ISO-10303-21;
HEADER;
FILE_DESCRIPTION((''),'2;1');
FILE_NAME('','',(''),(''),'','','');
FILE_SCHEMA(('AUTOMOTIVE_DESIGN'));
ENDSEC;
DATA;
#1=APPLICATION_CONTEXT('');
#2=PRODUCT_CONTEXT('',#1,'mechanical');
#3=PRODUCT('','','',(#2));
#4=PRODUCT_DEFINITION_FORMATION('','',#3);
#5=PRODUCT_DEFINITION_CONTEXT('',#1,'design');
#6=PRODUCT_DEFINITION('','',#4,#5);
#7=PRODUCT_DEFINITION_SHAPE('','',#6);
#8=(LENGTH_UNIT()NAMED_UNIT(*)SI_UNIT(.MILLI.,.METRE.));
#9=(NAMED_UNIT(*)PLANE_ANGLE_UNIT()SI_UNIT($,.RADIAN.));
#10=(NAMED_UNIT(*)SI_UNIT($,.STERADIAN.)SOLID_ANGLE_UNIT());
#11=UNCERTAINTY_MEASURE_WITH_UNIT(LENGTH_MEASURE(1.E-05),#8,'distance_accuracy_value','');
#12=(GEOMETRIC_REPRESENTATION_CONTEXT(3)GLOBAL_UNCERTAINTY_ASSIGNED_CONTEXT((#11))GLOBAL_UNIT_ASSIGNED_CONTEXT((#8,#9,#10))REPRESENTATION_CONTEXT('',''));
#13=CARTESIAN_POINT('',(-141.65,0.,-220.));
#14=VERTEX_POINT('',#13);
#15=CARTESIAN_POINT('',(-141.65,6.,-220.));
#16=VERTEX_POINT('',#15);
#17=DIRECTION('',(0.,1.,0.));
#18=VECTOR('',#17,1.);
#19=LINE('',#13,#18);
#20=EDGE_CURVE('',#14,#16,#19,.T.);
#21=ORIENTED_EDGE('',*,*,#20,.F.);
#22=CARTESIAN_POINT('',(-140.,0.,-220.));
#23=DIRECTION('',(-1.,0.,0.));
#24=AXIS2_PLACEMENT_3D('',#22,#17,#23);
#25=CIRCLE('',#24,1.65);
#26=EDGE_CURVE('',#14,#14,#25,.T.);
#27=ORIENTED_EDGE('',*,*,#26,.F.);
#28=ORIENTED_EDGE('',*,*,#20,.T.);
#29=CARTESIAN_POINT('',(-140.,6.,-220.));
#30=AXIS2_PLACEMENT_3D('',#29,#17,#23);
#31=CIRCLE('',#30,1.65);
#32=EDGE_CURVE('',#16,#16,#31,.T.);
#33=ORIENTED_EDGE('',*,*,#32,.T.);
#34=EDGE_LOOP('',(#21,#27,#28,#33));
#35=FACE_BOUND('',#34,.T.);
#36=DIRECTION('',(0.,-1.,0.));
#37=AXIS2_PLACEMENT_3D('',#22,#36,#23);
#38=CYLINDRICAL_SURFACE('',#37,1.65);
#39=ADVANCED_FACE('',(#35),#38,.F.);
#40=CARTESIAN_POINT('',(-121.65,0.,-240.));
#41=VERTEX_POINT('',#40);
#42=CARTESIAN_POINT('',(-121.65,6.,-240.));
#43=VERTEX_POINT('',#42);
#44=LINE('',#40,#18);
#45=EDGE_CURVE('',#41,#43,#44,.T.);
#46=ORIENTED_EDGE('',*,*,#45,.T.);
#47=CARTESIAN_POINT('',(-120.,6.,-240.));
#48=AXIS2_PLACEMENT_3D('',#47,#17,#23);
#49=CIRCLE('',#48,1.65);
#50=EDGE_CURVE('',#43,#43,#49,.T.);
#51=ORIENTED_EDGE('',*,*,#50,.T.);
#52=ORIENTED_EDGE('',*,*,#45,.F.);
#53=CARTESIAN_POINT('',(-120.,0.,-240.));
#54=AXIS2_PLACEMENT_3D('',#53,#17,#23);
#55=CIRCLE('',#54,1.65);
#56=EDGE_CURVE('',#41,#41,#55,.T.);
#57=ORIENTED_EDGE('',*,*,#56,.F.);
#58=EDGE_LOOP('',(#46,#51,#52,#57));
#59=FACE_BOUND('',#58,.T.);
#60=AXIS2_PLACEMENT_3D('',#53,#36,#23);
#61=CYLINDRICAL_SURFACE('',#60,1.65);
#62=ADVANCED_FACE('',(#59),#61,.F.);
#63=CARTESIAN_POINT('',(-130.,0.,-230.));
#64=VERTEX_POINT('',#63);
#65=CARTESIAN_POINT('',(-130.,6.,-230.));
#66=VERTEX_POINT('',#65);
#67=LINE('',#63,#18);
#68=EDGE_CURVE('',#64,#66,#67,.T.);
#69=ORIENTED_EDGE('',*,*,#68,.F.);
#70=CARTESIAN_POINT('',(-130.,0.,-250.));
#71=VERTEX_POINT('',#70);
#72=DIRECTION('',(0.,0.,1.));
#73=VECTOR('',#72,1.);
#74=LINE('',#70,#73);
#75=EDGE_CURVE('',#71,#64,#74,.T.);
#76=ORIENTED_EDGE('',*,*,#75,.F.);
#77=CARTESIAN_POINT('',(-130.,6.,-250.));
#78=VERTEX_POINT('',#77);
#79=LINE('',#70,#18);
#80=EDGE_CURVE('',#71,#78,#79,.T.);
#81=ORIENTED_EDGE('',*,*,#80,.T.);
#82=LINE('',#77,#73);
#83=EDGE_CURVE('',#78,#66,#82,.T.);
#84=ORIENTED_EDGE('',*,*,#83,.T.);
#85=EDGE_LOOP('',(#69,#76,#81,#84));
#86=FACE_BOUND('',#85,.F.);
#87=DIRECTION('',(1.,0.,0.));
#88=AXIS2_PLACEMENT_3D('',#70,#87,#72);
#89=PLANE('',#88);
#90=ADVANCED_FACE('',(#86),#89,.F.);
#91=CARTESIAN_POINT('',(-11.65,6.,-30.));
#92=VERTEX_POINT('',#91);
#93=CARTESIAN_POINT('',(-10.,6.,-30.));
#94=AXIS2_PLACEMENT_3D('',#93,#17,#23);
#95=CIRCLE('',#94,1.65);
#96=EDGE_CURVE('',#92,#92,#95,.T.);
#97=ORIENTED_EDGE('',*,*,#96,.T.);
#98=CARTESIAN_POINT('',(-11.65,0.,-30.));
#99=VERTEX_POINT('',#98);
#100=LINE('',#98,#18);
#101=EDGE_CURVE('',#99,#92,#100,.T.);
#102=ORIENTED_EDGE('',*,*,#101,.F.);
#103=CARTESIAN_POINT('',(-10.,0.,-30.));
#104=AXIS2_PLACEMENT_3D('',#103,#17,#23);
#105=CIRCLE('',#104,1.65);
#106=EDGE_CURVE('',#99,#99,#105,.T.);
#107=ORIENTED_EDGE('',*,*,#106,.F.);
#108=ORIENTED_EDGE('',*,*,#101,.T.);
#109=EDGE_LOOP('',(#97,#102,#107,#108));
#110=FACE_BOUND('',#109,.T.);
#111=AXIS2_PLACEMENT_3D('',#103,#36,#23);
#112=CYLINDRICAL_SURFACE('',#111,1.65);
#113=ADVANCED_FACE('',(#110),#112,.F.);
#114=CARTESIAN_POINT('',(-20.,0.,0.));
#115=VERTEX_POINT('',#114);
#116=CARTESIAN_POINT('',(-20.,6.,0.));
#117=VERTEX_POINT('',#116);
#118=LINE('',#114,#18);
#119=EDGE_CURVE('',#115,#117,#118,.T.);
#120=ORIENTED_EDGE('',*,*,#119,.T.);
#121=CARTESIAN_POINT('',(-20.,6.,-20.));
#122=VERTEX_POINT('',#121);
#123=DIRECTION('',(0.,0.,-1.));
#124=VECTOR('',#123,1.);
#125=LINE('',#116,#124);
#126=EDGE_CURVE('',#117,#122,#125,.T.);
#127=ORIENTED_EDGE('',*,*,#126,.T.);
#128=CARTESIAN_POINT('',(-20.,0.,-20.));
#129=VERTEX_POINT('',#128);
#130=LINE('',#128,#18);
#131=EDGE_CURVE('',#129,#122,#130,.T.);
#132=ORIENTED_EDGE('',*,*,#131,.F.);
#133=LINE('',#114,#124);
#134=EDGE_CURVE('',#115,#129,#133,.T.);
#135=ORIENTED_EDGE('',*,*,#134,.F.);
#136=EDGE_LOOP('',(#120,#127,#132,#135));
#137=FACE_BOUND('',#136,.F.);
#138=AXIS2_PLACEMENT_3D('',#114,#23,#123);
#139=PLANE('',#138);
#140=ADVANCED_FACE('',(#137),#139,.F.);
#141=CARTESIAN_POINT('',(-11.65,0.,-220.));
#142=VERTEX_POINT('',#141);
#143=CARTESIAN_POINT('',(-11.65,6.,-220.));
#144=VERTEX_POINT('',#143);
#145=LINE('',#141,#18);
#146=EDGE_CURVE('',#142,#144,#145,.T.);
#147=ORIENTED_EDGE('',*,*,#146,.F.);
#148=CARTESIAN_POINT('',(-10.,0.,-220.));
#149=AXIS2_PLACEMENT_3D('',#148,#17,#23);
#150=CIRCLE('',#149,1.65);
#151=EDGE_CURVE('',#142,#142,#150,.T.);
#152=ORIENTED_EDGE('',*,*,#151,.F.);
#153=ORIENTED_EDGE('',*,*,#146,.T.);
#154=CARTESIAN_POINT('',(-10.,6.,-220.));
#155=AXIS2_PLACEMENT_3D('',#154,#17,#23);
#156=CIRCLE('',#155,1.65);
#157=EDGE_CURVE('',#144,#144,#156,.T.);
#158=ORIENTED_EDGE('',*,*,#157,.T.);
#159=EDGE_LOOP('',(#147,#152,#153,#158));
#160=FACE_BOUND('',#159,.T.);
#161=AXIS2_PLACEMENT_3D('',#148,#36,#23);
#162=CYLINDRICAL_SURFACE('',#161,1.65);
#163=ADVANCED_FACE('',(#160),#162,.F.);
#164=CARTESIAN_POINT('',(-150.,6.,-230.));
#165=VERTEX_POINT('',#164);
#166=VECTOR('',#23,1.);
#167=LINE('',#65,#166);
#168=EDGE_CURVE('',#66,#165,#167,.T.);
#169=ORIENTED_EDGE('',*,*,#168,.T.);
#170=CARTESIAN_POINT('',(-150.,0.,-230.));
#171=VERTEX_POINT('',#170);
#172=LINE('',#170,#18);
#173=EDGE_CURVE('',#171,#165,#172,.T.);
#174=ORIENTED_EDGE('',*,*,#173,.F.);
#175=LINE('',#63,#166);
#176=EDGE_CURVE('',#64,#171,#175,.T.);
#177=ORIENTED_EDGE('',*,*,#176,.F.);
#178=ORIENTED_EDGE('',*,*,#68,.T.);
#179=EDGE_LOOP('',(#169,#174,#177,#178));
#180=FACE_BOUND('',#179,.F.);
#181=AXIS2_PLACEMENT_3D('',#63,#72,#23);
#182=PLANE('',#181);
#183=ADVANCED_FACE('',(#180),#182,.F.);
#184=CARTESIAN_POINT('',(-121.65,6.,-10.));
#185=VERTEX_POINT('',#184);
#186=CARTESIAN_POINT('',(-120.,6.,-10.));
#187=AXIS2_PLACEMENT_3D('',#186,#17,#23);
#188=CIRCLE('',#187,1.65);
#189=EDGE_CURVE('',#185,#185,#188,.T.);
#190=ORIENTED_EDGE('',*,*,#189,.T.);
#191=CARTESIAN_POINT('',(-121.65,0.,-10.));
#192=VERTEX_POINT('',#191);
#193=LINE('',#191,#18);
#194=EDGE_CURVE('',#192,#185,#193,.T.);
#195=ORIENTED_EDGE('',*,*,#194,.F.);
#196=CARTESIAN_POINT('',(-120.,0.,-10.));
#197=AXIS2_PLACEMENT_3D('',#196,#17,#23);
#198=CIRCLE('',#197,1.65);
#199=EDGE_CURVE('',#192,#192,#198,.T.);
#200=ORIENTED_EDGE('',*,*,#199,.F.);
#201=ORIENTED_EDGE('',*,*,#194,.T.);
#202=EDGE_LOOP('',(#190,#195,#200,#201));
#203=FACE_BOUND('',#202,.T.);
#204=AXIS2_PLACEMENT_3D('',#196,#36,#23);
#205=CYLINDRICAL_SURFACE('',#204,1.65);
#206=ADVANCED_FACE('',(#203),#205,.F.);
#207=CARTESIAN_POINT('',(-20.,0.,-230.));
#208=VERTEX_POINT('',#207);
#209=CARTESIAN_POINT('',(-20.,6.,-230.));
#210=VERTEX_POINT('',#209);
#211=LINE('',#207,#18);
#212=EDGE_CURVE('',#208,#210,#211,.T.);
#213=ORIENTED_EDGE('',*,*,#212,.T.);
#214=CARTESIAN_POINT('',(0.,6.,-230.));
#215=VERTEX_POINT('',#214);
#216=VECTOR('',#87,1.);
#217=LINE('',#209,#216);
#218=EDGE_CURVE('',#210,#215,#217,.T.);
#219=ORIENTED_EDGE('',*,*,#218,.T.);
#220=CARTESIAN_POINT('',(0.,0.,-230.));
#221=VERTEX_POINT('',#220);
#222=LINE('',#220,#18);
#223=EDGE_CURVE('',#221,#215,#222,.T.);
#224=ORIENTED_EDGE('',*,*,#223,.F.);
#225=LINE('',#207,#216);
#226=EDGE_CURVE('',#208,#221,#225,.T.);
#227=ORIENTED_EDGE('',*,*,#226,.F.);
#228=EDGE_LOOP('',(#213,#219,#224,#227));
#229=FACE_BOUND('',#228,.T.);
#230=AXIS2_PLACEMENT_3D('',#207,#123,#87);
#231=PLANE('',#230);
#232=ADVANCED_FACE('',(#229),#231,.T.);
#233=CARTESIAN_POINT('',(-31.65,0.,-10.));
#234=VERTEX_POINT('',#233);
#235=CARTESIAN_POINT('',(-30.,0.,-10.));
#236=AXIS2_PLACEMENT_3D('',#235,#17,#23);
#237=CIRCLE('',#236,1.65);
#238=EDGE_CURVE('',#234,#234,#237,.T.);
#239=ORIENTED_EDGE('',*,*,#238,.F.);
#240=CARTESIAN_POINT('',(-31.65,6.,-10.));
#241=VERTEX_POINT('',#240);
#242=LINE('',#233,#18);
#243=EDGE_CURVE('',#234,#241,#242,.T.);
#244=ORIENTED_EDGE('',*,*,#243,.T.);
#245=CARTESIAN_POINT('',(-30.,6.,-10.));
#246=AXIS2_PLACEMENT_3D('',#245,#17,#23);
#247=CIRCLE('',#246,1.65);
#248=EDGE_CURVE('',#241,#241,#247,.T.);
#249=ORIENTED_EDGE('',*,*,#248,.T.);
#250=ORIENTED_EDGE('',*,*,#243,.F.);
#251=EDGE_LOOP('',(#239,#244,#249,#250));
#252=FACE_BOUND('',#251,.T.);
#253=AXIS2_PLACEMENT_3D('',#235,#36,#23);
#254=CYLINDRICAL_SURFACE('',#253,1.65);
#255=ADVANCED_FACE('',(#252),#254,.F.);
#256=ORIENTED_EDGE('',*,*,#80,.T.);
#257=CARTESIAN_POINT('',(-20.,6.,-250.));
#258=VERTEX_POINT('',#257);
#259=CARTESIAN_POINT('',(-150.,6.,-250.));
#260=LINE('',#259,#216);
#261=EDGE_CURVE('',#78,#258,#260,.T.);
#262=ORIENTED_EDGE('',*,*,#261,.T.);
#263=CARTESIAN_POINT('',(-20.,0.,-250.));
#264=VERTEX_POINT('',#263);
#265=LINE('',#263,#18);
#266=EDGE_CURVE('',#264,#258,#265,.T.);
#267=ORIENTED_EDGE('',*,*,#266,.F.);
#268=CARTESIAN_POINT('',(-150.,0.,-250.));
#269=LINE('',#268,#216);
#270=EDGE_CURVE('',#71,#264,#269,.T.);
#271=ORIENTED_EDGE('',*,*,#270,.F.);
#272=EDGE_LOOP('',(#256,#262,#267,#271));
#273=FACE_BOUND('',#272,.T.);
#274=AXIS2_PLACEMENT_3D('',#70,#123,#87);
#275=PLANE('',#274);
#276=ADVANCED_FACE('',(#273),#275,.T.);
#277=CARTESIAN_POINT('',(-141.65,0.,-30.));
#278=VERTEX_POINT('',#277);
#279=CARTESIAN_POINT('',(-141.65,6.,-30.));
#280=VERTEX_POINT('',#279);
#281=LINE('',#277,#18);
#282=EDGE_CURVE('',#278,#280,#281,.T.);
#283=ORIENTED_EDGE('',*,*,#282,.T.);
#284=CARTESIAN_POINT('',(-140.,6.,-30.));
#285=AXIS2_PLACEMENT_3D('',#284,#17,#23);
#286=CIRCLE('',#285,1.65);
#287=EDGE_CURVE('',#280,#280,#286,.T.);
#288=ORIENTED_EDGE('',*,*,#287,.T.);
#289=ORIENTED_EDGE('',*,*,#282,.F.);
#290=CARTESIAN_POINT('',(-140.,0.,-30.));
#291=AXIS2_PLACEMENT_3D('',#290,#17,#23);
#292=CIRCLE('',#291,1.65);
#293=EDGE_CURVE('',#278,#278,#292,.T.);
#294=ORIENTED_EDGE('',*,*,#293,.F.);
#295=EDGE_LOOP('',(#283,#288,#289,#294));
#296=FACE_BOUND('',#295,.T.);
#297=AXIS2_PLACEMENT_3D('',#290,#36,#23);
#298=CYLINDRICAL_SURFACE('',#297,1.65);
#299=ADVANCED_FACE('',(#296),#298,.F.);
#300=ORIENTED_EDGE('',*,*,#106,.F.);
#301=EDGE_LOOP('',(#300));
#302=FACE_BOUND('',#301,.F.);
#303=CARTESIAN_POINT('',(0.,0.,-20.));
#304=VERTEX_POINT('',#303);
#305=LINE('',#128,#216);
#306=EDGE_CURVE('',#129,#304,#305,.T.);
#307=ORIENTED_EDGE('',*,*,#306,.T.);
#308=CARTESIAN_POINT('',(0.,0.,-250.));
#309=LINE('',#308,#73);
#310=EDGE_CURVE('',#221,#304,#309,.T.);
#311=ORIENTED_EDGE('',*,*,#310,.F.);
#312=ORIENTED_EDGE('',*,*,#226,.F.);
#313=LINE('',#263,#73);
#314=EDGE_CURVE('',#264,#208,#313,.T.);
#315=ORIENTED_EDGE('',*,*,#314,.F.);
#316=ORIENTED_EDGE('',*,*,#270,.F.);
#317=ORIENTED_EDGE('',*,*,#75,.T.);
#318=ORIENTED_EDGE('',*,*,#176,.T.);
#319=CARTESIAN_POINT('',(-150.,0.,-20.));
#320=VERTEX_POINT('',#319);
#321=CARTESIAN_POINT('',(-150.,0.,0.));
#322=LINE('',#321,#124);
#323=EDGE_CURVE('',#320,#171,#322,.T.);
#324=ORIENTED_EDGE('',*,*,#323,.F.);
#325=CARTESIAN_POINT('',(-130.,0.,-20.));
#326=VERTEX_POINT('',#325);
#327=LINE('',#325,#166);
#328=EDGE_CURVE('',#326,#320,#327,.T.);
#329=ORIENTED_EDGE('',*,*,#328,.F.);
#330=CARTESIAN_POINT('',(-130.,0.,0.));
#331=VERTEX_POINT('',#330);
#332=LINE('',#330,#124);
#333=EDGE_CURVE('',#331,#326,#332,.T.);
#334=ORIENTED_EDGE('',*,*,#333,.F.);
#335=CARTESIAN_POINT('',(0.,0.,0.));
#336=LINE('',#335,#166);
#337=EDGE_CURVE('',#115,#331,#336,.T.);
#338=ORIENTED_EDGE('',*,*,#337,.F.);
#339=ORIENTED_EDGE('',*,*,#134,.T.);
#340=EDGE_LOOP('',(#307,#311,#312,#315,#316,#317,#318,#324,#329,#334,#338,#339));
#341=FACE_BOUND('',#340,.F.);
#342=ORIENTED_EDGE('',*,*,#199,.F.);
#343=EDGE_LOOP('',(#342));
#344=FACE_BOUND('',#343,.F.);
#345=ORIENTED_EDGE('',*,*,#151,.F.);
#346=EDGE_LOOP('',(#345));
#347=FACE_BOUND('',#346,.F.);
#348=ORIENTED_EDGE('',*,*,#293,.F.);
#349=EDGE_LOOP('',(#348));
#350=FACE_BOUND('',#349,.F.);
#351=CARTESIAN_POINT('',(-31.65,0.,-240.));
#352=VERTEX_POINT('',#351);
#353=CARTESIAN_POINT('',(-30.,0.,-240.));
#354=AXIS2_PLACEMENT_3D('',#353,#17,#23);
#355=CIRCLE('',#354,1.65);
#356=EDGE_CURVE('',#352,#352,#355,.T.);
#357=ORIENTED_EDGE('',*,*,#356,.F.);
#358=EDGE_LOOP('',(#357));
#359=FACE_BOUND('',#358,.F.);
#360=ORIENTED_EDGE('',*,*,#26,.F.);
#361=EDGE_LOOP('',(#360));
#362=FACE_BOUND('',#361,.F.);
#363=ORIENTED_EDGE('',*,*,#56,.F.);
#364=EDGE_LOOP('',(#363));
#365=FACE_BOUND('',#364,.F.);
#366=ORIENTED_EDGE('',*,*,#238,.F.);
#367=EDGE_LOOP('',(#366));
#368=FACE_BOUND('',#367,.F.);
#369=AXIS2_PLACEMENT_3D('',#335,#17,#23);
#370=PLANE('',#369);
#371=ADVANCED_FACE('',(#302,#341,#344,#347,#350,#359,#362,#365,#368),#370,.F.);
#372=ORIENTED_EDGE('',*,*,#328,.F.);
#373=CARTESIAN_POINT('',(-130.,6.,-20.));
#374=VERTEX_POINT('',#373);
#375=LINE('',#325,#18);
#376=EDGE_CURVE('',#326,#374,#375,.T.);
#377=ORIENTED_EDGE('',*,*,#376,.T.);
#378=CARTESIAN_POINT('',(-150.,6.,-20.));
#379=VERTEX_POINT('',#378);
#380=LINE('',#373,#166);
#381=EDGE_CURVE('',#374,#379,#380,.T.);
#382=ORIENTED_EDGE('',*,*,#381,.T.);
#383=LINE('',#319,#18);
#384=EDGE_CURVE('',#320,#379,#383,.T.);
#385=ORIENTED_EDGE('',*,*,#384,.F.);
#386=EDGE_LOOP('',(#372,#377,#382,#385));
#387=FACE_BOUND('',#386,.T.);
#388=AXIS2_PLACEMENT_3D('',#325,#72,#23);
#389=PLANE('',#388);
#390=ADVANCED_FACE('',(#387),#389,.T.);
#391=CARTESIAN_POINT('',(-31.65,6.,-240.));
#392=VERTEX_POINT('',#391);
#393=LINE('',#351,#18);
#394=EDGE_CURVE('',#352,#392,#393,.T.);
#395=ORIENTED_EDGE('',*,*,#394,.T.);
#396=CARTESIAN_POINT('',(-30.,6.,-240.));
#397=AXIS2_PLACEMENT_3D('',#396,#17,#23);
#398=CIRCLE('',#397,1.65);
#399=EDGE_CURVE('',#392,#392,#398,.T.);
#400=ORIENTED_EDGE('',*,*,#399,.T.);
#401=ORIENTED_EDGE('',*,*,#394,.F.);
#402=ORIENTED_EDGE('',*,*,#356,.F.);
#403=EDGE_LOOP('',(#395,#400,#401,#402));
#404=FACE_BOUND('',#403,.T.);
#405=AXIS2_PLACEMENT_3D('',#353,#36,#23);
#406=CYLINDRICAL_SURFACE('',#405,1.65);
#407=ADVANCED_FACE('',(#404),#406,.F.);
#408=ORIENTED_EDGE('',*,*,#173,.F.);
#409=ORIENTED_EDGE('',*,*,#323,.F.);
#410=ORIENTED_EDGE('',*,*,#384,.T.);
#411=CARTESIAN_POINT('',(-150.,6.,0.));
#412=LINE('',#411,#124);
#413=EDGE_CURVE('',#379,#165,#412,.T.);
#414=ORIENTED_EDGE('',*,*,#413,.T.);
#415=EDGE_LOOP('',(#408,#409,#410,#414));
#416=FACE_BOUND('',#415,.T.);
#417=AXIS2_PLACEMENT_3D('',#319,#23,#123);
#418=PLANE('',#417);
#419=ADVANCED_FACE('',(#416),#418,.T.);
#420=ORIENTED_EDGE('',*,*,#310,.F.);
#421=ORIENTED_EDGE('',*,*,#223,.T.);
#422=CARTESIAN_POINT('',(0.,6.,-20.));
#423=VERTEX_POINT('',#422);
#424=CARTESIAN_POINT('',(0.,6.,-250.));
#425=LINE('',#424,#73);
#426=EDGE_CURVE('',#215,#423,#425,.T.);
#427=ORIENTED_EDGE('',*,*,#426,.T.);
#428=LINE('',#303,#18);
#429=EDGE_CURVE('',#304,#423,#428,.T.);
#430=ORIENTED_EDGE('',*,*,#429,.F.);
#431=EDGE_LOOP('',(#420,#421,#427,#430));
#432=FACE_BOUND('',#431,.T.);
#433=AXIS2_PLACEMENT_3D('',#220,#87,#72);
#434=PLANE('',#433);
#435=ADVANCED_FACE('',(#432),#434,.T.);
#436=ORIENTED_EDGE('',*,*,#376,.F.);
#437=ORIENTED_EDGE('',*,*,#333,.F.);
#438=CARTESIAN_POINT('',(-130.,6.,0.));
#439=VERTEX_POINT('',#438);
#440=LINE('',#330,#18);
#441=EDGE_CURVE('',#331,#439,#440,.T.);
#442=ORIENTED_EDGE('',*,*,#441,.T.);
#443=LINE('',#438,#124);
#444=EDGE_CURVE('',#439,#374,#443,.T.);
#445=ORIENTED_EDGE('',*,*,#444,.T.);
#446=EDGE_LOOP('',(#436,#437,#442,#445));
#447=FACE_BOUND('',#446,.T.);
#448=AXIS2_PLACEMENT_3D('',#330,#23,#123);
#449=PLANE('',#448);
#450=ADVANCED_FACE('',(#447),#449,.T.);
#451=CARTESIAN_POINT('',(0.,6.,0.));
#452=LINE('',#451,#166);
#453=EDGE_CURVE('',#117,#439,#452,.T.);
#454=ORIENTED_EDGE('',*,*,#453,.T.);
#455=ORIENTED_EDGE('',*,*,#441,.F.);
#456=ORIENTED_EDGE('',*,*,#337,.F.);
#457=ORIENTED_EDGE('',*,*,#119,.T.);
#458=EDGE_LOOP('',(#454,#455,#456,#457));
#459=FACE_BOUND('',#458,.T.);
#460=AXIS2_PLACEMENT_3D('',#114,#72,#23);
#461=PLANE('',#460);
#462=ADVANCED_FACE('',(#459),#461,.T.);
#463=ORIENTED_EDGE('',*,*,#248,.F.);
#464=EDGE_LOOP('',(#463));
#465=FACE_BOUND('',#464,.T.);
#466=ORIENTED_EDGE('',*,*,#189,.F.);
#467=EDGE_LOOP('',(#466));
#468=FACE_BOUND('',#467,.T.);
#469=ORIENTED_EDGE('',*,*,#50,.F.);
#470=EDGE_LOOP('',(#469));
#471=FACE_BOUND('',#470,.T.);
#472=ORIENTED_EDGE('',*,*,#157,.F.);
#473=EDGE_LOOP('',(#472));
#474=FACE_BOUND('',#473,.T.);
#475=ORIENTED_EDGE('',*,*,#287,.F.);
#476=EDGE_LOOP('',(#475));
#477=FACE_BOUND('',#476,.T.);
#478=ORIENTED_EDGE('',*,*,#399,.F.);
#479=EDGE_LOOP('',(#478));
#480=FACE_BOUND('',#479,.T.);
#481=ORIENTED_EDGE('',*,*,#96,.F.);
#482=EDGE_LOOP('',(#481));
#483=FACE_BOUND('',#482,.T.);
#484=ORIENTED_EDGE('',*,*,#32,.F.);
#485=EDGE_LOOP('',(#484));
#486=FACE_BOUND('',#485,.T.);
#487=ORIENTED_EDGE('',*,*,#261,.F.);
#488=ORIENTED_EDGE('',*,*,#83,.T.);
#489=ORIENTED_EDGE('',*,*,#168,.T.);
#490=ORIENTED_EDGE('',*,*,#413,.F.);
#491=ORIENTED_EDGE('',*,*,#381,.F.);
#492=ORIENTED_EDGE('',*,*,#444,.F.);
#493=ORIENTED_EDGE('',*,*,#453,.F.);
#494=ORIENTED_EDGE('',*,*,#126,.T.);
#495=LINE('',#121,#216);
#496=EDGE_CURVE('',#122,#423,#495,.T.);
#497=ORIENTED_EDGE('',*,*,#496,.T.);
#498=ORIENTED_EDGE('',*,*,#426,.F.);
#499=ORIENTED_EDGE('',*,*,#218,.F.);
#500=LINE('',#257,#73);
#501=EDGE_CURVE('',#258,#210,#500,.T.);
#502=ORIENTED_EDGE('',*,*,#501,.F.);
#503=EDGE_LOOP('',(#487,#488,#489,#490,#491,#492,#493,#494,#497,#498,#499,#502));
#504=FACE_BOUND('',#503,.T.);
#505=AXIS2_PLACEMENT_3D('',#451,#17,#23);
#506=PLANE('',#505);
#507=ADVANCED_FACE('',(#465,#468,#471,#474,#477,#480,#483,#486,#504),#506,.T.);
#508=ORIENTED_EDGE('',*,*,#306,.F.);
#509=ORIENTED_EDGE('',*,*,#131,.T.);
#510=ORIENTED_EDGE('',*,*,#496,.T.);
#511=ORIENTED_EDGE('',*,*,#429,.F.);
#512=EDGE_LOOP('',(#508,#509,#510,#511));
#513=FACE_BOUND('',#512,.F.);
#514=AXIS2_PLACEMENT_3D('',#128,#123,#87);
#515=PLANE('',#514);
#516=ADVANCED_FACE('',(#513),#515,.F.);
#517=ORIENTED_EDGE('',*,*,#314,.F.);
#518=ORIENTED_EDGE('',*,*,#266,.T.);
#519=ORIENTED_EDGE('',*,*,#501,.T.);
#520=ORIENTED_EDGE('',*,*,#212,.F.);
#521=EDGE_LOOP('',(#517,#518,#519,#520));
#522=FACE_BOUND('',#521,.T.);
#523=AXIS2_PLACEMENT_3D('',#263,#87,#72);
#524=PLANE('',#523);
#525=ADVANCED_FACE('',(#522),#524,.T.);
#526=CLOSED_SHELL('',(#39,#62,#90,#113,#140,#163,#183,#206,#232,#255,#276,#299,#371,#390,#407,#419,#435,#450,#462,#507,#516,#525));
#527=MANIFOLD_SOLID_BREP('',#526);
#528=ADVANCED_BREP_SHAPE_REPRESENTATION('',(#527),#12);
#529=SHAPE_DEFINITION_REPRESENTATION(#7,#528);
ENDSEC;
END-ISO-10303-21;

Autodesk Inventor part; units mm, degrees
ref_plane "YZ Plane" through (0, 0, 0) normal (1, 0, 0) x (0, 1, 0)
ref_plane "XZ Plane" through (0, 0, 0) normal (0, 1, 0) x (-1, 0, 0)
ref_plane "XY Plane" through (0, 0, 0) normal (0, 0, 1) x (1, 0, 0)
sketch "Esquisse1" plane through (0, 0, 0) normal (0, 1, 0) x (-1, 0, 0)
  line L0 (0, 0) -> (150, 0)
  line L1 (150, 0) -> (150, -250)
  line L2 (150, -250) -> (0, -250)
  line L3 (0, -250) -> (0, 0)
  line L4 (20, 0) -> (20, -20)
  line L5 (20, -20) -> (0, -20)
  line L6 (150, 0) -> (0, -250) construction
  line L7 (150, -250) -> (0, 0) construction
  line L8 (75, 0) -> (75, -250) construction
  line L9 (150, -125) -> (0, -125) construction
  line L10 (130, 0) -> (130, -20)
  line L11 (130, -20) -> (150, -20)
  line L12 (20, -250) -> (20, -230)
  line L13 (20, -230) -> (0, -230)
  line L14 (130, -250) -> (130, -230)
  line L15 (130, -230) -> (150, -230)
  circle A0 centre (30, -10) radius 1.65
  line L16 (20, -20) -> (0, 0) construction
  line L17 (0, -20) -> (20, 0) construction
  line L18 (30, -10) -> (20, -10) construction
  circle A1 centre (10, -30) radius 1.65
  circle A2 centre (120, -10) radius 1.65
  circle A3 centre (140, -30) radius 1.65
  circle A4 centre (30, -240) radius 1.65
  circle A5 centre (10, -220) radius 1.65
  circle A6 centre (120, -240) radius 1.65
  circle A7 centre (140, -220) radius 1.65
  dimension "d0" = 150
  dimension "d1" = 250
  dimension "d5" = 20
  dimension "d6" = 3.3
  dimension "d7" = 10
  dimension "d9" = 10
extrude "Extrusion1" add sketch "Esquisse1" along normal blind 6 contours L0 L10 L11 L1 L15 L14 L2 L12 L13 L3 L5 L4
properties part number "top" material "Bois (cerisier)"
